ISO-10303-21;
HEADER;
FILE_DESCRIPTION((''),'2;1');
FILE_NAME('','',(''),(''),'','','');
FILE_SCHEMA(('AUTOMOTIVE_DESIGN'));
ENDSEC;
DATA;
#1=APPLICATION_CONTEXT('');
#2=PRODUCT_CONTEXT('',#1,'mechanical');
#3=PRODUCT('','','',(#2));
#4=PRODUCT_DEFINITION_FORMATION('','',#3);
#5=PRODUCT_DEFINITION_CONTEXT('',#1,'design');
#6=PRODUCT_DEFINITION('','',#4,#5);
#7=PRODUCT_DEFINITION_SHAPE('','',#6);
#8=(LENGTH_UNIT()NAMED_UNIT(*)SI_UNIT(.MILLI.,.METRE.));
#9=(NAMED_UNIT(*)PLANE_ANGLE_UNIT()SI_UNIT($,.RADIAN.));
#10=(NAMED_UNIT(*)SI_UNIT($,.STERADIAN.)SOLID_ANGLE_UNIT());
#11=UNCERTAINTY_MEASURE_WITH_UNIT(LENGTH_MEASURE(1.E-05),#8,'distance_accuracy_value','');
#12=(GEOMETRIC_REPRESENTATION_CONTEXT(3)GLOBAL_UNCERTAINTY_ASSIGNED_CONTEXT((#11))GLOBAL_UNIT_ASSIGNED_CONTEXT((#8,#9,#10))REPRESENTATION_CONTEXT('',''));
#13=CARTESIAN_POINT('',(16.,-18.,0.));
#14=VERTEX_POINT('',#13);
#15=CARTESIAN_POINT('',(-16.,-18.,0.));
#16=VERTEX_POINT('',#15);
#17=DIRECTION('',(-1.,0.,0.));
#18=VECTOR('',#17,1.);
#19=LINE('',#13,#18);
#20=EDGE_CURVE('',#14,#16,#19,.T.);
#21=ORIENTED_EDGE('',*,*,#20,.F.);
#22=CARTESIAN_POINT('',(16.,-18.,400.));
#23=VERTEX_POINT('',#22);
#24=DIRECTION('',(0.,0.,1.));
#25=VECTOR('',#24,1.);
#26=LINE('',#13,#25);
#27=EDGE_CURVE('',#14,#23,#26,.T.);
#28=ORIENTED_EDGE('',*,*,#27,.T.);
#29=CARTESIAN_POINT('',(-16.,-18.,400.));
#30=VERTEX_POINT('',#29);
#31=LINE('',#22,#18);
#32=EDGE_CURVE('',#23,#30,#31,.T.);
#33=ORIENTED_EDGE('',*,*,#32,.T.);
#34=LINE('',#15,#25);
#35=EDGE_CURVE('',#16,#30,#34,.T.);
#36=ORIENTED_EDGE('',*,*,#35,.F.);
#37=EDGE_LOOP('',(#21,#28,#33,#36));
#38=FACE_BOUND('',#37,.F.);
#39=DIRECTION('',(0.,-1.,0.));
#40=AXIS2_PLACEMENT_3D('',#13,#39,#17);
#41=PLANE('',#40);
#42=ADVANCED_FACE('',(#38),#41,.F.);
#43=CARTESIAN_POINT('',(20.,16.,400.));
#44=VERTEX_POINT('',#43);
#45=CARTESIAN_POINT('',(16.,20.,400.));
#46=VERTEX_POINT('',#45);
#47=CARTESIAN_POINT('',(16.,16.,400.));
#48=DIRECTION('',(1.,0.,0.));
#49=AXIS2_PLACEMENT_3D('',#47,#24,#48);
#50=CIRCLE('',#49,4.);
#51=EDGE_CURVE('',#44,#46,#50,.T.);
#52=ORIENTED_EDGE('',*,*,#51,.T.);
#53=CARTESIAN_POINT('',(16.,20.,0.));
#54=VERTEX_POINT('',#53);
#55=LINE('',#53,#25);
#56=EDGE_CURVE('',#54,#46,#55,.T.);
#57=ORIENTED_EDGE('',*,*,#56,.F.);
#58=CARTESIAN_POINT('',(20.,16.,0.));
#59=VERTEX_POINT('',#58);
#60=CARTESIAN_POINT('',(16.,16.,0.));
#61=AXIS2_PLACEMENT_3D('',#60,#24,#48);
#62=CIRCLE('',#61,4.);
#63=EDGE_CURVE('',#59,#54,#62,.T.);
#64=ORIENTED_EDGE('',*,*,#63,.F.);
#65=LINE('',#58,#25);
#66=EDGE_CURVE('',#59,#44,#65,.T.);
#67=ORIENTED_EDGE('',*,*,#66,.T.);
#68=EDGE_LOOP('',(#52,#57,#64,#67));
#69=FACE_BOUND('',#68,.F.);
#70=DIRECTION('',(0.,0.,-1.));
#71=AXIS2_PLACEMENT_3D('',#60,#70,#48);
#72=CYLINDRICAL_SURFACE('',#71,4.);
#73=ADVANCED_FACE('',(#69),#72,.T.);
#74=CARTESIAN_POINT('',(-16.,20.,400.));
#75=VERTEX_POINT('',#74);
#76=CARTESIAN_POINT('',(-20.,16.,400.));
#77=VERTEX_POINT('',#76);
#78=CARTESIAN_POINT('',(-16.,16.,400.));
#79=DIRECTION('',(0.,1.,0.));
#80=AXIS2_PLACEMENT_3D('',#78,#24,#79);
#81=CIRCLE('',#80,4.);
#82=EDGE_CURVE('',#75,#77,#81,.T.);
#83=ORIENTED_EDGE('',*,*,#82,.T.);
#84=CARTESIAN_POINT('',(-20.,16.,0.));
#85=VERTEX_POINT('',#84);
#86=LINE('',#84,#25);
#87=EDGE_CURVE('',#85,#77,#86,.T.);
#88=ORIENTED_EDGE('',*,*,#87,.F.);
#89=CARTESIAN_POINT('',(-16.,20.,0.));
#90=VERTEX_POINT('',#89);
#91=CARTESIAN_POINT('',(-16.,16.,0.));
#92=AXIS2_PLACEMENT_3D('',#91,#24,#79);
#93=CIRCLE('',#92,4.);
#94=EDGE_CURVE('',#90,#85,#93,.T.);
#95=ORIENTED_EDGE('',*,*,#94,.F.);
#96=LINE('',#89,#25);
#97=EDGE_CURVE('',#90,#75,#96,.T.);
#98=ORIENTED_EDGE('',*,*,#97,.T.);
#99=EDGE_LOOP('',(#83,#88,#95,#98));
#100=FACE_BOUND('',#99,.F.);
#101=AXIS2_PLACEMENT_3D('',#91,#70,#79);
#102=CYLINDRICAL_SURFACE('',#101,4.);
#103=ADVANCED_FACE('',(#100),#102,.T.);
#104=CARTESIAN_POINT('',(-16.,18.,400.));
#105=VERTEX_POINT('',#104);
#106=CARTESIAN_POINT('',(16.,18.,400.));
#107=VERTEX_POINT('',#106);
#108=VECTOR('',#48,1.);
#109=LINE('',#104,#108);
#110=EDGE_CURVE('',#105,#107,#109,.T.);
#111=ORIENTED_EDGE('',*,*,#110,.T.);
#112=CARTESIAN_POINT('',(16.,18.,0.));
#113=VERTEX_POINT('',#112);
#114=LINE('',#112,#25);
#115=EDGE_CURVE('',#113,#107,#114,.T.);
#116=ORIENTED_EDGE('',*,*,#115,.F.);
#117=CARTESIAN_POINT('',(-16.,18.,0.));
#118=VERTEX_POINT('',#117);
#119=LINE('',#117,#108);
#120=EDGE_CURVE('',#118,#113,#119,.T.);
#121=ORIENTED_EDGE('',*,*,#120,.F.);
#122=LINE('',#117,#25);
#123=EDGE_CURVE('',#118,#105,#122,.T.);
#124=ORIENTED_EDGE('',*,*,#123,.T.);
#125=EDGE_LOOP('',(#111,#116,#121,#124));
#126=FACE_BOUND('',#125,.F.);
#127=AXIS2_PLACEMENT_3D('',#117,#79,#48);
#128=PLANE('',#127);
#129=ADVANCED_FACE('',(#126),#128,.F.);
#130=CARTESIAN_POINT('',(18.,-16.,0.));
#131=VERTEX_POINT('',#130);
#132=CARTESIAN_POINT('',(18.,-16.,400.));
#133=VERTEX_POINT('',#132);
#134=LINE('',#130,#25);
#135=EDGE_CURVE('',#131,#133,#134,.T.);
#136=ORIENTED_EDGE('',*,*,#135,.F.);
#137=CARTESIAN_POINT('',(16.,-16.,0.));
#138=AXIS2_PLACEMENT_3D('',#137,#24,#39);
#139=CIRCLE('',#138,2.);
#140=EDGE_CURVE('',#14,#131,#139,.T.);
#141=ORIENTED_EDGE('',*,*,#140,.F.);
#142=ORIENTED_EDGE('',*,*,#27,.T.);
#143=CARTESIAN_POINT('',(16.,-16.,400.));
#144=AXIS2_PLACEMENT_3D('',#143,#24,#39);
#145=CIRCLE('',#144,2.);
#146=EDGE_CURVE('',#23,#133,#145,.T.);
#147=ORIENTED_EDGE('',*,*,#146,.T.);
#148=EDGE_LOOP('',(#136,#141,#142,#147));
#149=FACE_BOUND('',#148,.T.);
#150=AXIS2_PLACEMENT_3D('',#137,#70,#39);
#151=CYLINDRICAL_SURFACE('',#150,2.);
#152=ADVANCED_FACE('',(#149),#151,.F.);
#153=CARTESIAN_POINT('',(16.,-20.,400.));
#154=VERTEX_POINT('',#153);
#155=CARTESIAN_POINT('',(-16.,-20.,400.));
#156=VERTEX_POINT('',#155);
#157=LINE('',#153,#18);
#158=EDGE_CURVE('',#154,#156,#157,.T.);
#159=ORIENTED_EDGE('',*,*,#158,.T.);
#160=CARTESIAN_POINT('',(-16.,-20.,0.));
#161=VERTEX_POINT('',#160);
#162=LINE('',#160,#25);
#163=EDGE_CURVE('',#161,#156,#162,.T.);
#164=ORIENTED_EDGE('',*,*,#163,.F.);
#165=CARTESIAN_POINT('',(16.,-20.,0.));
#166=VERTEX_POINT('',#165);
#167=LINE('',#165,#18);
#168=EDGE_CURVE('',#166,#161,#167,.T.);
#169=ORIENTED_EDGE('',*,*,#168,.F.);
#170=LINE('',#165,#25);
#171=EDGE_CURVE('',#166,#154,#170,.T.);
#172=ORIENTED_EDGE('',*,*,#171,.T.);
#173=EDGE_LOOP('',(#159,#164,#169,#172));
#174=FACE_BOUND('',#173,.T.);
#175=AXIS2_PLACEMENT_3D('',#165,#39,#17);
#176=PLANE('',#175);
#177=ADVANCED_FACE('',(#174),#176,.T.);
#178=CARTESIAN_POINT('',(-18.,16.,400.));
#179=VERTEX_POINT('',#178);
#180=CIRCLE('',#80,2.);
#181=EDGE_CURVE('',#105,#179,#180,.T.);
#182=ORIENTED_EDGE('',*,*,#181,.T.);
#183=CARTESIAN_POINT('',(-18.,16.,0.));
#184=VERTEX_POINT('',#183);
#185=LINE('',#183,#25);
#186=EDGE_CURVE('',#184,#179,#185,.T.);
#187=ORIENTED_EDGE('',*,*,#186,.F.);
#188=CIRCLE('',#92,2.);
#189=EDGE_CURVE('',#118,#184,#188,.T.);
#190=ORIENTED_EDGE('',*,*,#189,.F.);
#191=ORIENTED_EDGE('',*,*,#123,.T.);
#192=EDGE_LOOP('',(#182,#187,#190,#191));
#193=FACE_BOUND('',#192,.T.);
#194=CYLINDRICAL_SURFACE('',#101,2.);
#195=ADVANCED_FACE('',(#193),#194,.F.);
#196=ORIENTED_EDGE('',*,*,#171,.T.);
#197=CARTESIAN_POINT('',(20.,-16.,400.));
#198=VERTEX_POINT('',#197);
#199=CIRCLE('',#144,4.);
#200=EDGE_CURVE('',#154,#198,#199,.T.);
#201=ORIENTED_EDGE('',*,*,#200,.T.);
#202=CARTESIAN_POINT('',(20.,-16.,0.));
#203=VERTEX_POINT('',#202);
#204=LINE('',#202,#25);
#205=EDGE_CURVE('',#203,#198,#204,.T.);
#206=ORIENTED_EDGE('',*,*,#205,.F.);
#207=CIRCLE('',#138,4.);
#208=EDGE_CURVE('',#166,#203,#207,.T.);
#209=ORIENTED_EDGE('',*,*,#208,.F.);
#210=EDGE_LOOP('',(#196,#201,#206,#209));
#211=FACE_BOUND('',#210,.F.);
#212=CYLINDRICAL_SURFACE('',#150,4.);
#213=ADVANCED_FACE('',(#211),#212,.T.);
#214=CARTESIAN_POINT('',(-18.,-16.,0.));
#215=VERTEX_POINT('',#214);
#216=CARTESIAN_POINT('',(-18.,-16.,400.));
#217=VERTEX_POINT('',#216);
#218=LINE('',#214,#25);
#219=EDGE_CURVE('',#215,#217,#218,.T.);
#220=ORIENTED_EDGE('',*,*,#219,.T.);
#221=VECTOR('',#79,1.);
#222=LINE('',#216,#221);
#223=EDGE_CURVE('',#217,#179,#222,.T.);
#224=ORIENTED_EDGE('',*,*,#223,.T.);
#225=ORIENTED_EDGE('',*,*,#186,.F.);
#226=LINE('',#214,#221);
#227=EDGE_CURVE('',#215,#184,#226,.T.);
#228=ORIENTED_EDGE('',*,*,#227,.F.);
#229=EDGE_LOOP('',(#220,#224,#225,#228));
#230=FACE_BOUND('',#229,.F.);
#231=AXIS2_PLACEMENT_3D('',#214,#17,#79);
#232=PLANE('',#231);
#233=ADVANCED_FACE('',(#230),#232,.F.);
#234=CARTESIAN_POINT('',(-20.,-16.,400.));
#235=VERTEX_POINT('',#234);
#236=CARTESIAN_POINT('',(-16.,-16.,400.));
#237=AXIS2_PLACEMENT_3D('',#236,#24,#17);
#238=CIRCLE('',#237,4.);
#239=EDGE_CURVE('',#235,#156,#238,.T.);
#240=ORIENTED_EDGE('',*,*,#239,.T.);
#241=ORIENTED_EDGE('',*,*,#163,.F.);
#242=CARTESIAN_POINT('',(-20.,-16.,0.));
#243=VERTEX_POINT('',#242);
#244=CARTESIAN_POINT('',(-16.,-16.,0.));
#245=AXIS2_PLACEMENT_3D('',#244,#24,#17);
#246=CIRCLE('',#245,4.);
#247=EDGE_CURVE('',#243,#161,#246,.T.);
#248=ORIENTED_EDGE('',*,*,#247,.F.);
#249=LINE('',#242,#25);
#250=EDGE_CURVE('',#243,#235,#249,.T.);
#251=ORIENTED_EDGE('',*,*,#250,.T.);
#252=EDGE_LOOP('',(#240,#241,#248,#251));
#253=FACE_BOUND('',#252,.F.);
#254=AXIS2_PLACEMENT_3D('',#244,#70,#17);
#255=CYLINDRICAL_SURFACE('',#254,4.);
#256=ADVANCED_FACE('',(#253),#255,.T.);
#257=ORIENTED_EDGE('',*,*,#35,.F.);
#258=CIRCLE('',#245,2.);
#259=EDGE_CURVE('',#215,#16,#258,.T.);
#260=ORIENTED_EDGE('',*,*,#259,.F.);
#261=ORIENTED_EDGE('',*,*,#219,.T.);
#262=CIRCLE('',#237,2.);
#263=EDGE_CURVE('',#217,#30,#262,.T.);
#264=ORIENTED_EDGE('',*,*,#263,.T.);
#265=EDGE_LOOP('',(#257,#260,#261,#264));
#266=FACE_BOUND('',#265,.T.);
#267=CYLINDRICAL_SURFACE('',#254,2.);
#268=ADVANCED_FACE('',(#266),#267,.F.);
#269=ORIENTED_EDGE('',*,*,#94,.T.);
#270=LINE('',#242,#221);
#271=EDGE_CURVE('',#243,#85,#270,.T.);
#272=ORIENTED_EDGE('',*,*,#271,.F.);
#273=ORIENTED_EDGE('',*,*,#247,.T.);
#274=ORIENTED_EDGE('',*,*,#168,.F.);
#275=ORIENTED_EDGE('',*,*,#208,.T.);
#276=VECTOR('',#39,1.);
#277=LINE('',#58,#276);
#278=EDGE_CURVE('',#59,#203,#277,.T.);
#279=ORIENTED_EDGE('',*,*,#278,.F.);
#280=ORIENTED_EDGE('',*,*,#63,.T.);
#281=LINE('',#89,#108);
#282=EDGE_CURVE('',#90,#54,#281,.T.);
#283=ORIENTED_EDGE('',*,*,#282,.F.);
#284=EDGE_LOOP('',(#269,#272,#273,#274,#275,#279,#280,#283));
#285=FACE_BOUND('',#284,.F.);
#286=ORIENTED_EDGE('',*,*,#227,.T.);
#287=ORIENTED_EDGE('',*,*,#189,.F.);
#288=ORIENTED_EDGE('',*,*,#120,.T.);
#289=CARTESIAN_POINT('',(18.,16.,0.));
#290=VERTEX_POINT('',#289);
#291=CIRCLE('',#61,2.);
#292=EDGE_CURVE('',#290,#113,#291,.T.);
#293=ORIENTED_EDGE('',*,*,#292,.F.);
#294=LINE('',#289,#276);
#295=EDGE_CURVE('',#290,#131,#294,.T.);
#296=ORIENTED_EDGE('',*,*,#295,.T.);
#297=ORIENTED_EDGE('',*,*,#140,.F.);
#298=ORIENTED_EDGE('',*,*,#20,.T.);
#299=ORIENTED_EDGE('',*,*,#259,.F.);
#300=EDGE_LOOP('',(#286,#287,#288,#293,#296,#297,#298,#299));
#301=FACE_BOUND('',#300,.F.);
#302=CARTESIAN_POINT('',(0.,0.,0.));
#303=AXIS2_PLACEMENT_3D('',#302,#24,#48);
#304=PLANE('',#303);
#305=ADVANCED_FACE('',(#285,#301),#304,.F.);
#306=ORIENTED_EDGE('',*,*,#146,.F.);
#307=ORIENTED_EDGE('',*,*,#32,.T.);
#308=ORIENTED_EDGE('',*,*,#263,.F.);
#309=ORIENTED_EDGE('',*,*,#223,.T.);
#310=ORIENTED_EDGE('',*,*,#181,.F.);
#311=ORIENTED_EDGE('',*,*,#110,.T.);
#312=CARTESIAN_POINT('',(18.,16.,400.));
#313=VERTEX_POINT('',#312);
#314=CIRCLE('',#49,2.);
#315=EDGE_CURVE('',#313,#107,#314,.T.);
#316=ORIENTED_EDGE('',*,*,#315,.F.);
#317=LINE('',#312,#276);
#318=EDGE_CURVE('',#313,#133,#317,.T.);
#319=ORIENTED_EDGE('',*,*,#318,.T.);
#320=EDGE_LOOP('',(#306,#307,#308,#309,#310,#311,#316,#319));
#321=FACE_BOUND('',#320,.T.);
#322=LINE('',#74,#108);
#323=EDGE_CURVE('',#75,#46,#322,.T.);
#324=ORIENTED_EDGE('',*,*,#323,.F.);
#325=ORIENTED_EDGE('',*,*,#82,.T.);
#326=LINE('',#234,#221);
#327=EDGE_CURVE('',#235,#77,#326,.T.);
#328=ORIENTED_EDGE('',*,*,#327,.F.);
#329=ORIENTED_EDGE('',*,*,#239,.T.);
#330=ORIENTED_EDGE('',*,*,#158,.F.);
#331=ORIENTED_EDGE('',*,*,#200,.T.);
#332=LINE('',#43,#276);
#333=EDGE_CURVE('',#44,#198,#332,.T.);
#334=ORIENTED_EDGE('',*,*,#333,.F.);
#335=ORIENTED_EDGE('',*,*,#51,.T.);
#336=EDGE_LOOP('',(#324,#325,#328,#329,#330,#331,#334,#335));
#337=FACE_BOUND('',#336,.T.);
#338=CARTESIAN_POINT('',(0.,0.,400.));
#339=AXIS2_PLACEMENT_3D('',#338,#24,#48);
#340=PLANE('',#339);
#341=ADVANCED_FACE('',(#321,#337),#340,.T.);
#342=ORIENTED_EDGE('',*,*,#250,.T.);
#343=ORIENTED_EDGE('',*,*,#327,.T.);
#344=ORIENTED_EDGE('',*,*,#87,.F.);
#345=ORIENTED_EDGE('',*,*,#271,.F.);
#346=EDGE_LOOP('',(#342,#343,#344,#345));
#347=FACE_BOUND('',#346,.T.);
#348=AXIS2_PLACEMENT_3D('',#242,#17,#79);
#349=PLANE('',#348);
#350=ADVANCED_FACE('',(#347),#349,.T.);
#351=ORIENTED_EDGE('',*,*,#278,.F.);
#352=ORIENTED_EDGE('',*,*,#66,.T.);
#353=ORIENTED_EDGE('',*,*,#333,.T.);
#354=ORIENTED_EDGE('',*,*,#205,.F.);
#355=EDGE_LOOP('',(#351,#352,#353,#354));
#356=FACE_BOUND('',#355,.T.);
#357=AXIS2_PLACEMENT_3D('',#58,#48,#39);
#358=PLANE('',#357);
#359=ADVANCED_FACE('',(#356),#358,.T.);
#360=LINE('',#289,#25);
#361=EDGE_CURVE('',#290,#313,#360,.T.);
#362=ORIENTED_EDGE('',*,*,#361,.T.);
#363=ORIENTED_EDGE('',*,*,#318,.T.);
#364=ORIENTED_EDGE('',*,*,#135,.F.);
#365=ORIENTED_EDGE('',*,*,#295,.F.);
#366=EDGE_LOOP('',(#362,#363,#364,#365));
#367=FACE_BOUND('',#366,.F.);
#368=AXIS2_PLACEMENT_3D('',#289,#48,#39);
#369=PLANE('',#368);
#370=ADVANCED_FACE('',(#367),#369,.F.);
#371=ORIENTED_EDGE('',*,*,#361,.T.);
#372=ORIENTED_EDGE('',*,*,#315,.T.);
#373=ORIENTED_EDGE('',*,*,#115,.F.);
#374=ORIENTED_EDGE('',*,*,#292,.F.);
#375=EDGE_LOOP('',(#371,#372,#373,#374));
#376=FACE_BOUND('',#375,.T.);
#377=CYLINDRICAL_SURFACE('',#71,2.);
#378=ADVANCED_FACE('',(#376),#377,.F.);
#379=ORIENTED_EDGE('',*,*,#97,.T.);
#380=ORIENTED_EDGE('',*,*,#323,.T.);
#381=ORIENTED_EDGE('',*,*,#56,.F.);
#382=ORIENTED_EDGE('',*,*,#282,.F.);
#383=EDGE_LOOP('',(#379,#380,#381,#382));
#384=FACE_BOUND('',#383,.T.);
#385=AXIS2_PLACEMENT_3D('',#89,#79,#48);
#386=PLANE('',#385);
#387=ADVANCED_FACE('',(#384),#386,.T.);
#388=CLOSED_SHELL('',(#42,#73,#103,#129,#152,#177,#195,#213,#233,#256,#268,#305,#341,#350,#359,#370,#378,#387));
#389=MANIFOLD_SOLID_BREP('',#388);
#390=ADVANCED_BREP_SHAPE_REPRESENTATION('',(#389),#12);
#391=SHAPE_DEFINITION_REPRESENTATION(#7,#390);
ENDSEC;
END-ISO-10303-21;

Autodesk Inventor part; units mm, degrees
ref_plane "YZ Plane" through (0, 0, 0) normal (1, 0, 0) x (0, 1, 0)
ref_plane "Piano iniziale" through (0, 0, 0) normal (0, 0, 1) x (1, 0, 0)
ref_plane "Piano finale" through (0, 0, 400) normal (0, 0, 1) x (1, 0, 0)
sketch "Schizzo" plane through (0, 0, 0) normal (0, 0, 1) x (1, 0, 0)
  line L0 (-20, -16) -> (-20, 16)
  line L1 (-16, 20) -> (16, 20)
  line L2 (20, 16) -> (20, -16)
  line L3 (16, -20) -> (-16, -20)
  arc A0 (-20, -16) -> (-16, -20) centre (-16, -16) ccw
  arc A1 (20, 16) -> (16, 20) centre (16, 16) ccw
  arc A2 (-16, 20) -> (-20, 16) centre (-16, 16) ccw
  arc A3 (16, -20) -> (20, -16) centre (16, -16) ccw
  arc A4 (-16, 18) -> (-18, 16) centre (-16, 16) ccw
  line L4 (-16, 18) -> (16, 18)
  arc A5 (18, 16) -> (16, 18) centre (16, 16) ccw
  line L5 (18, 16) -> (18, -16)
  arc A6 (16, -18) -> (18, -16) centre (16, -16) ccw
  line L6 (16, -18) -> (-16, -18)
  arc A7 (-18, -16) -> (-16, -18) centre (-16, -16) ccw
  line L7 (-18, -16) -> (-18, 16)
  line L8 (0, 29.1598) -> (0, -29.1598) construction
  line L9 (-29.1598, 0) -> (29.1598, 0) construction
  dimension "d7" = 4
  dimension "d9" = 40
  dimension "d11" = 40
  dimension "d12" = 2
  dimension "d15" = 20
  dimension "d16" = 20
extrude "Corpo" add sketch "Schizzo" along normal up to surface (400 mm away) from surface at 0
sketch "Sketch3" plane through (0, 0, 0) normal (0, 0, 1) x (1, 0, 0)
  line L0 (0, 0) -> (10, 0)
ref_plane "Work Plane3" through (0, 0, 0) normal (0, -1, 0) x (1, 0, 0)
sketch "Sketch4" plane through (0, 0, 0) normal (0, -1, 0) x (1, 0, 0)
  line L0 (-2, 0) -> (12, 0)
  line L1 (-2, 400) -> (12, 400)
  dimension "d18" = 400
equation "\"d7\" = G_IR"
equation "\"d9\" = G_W"
equation "\"d11\" = G_H"
equation "\"d12\" = G_T"
equation "\"d15\" = 0.5 * d9"
equation "\"d16\" = 0.5 * d11"
equation "\"d3\" = G_L"
equation "\"G_W\" = 40"
equation "\"G_H\" = 40"
equation "\"G_T\" = 2"
equation "\"G_IR\" = 4"
equation "\"G_L\" = d18"
equation "\"G_OFFSET_START\" = 0"
equation "\"G_OFFSET_END\" = 0"
properties part number "ISO 10799-2 - 40x40x2 - 400" material "Acciaio, Dolce"
